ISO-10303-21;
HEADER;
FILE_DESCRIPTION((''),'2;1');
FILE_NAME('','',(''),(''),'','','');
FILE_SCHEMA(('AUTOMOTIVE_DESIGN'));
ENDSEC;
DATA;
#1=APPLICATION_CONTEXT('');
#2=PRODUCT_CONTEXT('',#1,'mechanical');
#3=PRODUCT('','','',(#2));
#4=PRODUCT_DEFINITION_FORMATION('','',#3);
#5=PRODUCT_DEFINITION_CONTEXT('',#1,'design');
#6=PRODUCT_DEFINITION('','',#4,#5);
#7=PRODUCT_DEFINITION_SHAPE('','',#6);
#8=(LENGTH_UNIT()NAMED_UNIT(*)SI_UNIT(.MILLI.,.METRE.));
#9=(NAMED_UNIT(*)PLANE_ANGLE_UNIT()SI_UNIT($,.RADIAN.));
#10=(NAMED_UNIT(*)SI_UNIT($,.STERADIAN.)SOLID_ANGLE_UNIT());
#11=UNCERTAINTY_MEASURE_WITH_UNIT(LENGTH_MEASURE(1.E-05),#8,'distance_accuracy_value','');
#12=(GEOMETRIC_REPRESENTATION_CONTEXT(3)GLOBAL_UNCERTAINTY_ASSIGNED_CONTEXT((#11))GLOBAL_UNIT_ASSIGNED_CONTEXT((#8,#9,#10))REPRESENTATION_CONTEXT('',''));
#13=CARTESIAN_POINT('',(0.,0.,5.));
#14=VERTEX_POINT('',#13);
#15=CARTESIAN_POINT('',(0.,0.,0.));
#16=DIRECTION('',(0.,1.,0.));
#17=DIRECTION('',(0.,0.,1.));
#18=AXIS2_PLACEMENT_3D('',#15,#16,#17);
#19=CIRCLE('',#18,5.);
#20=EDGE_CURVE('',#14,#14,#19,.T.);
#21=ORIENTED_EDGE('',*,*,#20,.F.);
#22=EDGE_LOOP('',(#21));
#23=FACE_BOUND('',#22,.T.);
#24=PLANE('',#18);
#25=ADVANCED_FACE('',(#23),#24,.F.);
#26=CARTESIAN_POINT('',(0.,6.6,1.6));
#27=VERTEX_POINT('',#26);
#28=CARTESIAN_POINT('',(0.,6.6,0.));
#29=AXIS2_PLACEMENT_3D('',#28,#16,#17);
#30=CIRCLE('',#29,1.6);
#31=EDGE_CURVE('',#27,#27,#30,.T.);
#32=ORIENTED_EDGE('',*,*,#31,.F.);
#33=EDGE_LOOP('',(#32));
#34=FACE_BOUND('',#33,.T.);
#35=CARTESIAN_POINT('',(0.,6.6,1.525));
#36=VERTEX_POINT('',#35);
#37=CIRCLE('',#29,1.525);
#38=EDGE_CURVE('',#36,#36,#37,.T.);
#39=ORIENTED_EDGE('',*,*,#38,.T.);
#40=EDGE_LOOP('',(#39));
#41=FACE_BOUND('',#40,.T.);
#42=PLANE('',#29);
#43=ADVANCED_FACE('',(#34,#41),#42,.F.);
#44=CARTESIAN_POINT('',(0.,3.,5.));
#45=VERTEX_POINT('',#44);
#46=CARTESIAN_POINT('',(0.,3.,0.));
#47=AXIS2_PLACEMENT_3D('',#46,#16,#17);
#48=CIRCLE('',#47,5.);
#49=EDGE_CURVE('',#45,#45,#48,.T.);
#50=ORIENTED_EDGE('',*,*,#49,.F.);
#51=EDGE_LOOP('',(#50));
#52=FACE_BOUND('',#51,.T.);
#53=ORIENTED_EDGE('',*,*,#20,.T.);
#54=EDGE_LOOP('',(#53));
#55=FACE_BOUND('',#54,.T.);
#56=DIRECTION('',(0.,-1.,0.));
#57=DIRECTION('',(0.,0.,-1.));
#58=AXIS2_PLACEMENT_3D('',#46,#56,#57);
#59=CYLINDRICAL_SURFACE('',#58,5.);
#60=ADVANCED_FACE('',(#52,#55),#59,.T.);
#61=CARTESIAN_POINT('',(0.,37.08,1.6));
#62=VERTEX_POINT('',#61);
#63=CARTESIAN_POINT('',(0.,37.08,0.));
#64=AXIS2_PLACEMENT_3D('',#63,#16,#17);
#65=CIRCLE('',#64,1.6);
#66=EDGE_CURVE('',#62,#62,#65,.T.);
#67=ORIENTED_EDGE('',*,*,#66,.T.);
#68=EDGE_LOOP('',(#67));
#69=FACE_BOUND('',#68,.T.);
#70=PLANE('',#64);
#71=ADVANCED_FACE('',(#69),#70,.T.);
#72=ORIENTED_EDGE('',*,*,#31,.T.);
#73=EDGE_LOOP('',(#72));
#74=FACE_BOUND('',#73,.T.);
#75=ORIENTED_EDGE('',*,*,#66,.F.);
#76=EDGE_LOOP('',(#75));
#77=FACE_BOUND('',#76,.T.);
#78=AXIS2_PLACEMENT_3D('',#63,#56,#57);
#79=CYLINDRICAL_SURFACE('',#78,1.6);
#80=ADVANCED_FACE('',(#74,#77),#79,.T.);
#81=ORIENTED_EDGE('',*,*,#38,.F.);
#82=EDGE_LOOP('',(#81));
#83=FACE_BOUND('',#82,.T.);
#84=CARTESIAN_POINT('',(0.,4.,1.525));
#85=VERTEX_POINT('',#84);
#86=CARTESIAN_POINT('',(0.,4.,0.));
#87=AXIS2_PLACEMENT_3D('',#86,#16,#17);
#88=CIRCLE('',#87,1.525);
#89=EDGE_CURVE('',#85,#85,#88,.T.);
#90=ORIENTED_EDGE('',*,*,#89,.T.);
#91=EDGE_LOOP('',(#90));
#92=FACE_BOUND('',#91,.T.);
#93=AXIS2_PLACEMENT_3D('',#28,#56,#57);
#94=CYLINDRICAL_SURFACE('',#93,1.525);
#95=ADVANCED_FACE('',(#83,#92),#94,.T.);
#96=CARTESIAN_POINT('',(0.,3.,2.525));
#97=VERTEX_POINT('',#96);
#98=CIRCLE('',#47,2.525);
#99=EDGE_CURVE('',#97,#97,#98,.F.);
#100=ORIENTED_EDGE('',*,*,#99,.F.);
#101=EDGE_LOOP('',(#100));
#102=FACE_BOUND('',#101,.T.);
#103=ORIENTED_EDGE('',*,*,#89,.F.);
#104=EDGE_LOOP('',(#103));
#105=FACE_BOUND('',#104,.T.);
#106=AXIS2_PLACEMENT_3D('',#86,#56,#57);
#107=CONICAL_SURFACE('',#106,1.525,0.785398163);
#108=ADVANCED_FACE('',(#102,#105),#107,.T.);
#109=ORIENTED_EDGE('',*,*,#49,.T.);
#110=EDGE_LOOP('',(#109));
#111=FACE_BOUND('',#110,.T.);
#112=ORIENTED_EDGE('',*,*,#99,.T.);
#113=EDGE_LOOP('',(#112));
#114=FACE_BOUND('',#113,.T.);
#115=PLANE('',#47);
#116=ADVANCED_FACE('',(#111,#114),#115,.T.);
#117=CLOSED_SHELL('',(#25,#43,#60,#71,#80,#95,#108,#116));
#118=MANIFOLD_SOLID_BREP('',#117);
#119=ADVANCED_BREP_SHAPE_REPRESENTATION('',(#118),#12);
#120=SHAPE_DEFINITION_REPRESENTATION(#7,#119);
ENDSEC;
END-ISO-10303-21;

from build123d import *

# Parameters (mm, degrees)
SKETCH_1_R      = 5
EXTRUDE_1_DEPTH = 3
EXTRUDE_START   = 3
SKETCH_1_3_R    = 1.525
EXTRUDE_2_DEPTH = 3.6
EXTRUDE_START_2 = 6.6
SKETCH_1_4_R    = 1.6
EXTRUDE_3_DEPTH = 30.48
CHAMFER_1_SIZE  = 1


with BuildPart() as part:
    # 草图1 → 凸台-拉伸1 (new body)
    with BuildSketch(Plane(origin=(0, 0, 0), x_dir=(1, 0, 0), z_dir=(0, 1, 0))):
        Circle(SKETCH_1_R)
    extrude(amount=EXTRUDE_1_DEPTH)

    # 草图1<3> → 凸台-拉伸2 (add)
    with BuildSketch(Plane(origin=(0, 0, 0), x_dir=(1, 0, 0), z_dir=(0, 1, 0)).offset(EXTRUDE_START)):
        Circle(SKETCH_1_3_R)
    extrude(amount=EXTRUDE_2_DEPTH)

    # 草图1<4> → 凸台-拉伸3 (add)
    with BuildSketch(Plane(origin=(0, 0, 0), x_dir=(1, 0, 0), z_dir=(0, 1, 0)).offset(EXTRUDE_START_2)):
        Circle(SKETCH_1_4_R)
    extrude(amount=EXTRUDE_3_DEPTH)

    # 倒角1
    chamfer_1_edges = [part.edges().sort_by_distance(p)[0] for p in [
        (-1.525, 3, 0),
    ]]
    chamfer(chamfer_1_edges, length=CHAMFER_1_SIZE)


solid = part.part
